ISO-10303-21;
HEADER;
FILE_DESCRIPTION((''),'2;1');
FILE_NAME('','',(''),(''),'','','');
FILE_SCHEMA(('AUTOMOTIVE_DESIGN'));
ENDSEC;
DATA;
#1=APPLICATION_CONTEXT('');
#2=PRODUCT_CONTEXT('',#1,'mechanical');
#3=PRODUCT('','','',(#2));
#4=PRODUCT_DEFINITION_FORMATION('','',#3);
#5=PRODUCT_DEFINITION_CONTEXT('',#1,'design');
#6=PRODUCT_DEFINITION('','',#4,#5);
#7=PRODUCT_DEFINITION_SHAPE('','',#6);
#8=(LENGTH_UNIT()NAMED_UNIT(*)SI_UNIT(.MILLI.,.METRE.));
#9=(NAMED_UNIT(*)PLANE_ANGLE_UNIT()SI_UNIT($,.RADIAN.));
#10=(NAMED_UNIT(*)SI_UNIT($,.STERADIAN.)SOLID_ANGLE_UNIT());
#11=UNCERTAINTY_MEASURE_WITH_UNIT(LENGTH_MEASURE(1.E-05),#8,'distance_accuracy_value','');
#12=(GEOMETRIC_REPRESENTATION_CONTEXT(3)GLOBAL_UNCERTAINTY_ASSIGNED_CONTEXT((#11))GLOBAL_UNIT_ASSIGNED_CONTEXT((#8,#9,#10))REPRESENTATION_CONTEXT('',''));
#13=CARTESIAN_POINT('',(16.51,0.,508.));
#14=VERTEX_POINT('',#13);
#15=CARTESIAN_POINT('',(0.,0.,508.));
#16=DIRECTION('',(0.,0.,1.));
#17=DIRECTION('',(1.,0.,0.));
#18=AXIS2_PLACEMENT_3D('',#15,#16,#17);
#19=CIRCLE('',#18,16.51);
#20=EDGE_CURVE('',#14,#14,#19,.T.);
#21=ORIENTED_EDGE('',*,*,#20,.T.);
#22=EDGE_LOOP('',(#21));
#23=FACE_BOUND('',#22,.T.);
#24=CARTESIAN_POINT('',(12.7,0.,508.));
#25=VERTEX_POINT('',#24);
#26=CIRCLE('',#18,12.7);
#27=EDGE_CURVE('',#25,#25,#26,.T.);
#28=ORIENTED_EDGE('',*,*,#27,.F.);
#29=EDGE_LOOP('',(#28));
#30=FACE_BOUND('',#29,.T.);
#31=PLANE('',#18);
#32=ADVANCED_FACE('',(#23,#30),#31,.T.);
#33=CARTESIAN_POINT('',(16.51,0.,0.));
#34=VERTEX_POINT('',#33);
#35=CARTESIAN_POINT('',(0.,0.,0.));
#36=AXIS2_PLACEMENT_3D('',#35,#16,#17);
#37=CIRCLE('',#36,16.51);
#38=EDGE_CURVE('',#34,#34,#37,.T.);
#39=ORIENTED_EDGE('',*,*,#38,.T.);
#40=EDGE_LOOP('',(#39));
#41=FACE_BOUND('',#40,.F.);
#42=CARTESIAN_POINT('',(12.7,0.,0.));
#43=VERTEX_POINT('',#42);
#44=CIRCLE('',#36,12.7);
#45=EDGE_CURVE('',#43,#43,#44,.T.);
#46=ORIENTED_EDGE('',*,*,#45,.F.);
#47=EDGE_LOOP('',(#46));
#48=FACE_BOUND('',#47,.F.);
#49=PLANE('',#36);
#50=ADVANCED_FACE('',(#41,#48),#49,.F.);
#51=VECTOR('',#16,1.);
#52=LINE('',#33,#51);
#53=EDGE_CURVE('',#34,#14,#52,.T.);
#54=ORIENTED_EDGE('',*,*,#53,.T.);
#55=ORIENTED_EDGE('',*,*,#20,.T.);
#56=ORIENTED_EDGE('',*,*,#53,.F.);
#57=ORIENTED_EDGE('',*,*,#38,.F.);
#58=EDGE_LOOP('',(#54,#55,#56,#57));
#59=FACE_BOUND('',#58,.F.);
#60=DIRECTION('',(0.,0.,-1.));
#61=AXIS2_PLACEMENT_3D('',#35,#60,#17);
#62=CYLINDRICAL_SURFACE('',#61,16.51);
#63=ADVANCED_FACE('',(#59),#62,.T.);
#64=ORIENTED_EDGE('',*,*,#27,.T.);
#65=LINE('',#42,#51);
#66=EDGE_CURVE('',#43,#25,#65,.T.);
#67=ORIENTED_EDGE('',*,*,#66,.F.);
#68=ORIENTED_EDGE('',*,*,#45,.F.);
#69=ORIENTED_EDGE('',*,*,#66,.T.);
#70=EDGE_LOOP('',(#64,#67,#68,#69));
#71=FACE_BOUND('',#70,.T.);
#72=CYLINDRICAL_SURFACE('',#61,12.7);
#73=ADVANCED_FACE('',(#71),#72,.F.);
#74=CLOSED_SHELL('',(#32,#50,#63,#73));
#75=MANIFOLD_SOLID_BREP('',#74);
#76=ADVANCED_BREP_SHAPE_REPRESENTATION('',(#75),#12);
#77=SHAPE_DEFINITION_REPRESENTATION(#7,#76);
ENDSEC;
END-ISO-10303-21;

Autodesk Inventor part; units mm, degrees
ref_plane "YZ Plane" through (0, 0, 0) normal (1, 0, 0) x (0, 1, 0)
ref_plane "XZ Plane" through (0, 0, 0) normal (0, 1, 0) x (-1, 0, 0)
ref_plane "XY Plane" through (0, 0, 0) normal (0, 0, 1) x (1, 0, 0)
sketch "Sketch1" plane through (0, 0, 0) normal (0, 0, 1) x (1, 0, 0)
  circle A0 centre (0, 0) radius 16.51
  circle A1 centre (0, 0) radius 12.7
  dimension "d0" = 33.02
  dimension "d1" = 25.4
extrude "Extrusion1" add sketch "Sketch1" along normal blind 508
properties part number "PVC Roller" material "PVC-Piping"
